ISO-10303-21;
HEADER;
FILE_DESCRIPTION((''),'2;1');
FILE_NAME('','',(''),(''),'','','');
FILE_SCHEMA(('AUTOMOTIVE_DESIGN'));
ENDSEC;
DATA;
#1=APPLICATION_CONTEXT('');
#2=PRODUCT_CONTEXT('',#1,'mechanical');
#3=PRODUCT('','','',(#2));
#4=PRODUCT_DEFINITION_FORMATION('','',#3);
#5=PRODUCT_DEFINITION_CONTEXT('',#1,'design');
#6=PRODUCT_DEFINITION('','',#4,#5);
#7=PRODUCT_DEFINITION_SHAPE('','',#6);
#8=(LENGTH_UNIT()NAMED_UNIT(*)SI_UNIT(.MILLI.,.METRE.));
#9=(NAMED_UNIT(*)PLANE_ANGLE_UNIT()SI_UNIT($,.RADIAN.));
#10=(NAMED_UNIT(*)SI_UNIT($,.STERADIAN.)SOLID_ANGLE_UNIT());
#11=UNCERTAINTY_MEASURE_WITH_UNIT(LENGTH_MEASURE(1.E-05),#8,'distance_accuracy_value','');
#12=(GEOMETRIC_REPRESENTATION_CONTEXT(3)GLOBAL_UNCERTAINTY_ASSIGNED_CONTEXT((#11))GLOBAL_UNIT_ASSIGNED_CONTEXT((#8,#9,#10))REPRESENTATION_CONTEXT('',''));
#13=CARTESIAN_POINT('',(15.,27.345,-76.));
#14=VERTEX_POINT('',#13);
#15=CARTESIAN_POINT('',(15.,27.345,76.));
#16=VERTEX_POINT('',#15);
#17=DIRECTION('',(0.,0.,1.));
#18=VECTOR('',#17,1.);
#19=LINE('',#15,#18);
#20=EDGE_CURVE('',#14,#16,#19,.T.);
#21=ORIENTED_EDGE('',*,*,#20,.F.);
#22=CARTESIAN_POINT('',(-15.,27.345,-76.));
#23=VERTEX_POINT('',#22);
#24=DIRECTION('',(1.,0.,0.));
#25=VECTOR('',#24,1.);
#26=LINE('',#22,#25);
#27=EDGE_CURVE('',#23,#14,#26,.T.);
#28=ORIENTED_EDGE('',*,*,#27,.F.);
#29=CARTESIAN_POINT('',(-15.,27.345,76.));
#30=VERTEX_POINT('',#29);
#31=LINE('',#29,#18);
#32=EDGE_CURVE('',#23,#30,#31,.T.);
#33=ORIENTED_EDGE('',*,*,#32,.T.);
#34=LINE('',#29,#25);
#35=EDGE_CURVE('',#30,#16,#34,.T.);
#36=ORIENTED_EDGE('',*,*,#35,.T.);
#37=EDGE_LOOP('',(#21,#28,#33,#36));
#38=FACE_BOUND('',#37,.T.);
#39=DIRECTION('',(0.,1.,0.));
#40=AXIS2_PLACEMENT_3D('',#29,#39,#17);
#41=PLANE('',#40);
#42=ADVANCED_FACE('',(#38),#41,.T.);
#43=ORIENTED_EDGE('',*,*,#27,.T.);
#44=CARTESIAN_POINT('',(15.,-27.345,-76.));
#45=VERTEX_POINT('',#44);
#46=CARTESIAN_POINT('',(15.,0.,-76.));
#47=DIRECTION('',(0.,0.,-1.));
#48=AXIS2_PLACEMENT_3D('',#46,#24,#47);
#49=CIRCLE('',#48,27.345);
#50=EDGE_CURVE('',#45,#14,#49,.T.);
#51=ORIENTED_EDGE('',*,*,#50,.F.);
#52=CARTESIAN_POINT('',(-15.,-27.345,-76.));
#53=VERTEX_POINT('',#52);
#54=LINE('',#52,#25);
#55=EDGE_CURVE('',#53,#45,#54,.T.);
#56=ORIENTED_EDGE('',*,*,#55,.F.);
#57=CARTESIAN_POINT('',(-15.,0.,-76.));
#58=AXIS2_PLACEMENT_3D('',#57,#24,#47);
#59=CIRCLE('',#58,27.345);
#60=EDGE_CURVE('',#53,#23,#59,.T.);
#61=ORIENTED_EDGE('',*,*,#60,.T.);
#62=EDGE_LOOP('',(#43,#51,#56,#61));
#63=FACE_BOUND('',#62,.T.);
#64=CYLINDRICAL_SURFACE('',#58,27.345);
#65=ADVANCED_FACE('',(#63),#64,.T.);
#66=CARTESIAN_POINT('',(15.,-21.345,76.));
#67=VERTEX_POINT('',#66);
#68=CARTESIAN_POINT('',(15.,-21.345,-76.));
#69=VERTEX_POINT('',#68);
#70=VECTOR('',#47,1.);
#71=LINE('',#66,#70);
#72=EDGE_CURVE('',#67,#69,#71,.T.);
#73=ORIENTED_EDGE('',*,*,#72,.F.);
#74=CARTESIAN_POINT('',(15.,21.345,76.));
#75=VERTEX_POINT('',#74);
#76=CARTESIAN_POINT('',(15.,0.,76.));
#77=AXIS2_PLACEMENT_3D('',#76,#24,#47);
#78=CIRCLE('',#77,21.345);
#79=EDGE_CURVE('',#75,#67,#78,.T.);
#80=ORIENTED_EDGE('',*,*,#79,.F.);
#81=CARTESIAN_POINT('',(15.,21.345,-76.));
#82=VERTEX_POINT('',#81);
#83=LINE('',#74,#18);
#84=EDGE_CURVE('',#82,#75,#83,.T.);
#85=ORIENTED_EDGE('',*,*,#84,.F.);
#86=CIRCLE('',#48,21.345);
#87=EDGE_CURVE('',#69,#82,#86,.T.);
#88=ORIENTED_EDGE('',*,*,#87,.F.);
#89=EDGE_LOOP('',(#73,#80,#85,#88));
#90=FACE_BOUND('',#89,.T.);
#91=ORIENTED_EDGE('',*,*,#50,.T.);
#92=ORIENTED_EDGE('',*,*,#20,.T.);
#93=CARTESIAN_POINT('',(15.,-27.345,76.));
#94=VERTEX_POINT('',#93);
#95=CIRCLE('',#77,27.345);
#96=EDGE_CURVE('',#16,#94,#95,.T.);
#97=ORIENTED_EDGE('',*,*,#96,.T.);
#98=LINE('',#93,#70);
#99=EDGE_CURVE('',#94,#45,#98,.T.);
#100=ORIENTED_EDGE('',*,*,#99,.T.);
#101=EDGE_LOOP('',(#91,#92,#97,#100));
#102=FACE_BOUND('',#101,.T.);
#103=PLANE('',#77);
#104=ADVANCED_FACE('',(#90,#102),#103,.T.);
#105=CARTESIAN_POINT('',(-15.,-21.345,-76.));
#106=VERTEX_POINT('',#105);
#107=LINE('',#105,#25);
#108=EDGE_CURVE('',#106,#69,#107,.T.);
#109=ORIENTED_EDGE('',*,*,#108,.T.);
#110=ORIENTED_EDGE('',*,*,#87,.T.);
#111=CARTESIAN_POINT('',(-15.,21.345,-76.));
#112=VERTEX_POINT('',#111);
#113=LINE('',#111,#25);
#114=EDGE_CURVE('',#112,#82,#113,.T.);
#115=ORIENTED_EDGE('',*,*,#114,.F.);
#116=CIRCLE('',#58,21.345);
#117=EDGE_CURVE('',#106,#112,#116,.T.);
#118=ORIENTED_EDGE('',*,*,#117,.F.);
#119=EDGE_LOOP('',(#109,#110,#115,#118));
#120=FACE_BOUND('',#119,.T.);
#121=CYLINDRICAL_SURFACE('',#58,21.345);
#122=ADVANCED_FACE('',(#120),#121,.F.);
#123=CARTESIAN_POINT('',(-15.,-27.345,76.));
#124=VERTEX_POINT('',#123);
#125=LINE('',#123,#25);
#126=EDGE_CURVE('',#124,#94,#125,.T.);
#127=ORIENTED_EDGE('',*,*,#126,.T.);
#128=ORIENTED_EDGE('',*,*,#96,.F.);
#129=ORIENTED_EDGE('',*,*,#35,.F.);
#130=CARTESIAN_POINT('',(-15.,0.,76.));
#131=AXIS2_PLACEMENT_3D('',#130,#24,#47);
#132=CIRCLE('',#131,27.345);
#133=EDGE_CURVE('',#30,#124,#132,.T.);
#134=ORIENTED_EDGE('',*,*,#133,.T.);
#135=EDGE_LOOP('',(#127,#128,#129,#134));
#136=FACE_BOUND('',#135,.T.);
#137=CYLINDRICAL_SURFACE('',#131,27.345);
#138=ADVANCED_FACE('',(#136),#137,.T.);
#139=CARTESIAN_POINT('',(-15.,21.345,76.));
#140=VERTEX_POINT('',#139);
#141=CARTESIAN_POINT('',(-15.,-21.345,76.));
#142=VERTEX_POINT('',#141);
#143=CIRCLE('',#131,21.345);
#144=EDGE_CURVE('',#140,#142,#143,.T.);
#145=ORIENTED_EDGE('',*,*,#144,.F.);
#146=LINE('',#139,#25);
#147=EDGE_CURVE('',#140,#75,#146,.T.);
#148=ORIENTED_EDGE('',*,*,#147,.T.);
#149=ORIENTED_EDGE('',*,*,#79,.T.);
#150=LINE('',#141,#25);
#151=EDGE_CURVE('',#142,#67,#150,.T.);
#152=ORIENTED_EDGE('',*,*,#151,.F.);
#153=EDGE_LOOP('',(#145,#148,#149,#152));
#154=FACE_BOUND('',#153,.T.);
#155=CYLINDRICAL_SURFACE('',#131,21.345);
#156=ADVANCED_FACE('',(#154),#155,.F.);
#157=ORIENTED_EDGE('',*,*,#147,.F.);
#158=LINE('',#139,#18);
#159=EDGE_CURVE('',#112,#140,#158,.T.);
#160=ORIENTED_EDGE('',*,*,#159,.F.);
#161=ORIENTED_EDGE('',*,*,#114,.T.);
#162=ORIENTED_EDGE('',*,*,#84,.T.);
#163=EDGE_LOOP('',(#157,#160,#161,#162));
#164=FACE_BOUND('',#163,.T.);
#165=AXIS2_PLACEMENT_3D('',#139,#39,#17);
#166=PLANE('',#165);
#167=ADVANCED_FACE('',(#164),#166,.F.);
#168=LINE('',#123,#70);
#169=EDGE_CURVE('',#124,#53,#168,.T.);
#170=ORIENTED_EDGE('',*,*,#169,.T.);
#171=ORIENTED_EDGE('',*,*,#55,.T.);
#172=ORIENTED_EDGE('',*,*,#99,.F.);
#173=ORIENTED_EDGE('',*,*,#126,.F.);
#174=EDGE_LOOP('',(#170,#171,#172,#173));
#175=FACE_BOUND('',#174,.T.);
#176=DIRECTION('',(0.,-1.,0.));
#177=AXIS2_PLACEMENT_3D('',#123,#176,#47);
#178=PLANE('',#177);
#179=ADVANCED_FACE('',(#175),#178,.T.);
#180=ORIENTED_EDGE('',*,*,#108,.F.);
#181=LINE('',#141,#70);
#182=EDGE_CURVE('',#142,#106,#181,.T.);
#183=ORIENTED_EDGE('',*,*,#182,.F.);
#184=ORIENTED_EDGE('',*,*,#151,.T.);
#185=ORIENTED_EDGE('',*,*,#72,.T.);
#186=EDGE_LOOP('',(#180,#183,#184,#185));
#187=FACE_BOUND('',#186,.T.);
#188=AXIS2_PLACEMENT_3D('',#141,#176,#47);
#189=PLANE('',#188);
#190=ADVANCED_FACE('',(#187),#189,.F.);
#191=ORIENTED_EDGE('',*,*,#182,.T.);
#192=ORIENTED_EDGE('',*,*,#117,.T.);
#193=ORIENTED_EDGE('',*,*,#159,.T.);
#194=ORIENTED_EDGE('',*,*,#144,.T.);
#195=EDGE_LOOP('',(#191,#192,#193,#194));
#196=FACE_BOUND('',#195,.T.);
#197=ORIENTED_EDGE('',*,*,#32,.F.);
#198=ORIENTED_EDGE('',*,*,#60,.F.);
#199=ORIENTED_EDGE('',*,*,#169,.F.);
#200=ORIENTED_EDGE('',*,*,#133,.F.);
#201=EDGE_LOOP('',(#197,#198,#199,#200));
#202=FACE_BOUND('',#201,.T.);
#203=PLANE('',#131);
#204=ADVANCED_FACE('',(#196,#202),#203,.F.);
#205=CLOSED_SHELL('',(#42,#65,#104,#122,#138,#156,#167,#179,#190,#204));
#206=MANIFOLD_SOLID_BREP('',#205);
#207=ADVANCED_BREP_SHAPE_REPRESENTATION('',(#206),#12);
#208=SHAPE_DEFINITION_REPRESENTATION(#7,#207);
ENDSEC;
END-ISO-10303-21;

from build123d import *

# Parameters (mm, degrees)
EXTRUDE_1_DEPTH      = 15
EXTRUDE_1_DEPTH_BACK = 15
CUT_EXTRUDE_1_DEPTH  = 30


with BuildPart() as part:
    # 스케치2 → 보스-돌출1 (new, two sides: drawn at the far end of the back side and taken through both)
    with BuildSketch(Plane(origin=(0, 0, 0), x_dir=(0, 0, -1), z_dir=(1, 0, 0)).offset(-EXTRUDE_1_DEPTH_BACK)):
        with BuildLine():
            Line((-76, 27.345), (76, 27.345))
            ThreePointArc((76, 27.345), (103.345, 0), (76, -27.345))
            Line((76, -27.345), (-76, -27.345))
            ThreePointArc((-76, -27.345), (-103.345, 0), (-76, 27.345))
        make_face()
    extrude(amount=EXTRUDE_1_DEPTH + EXTRUDE_1_DEPTH_BACK)

    # 스케치3 → 컷-돌출1 (cut)
    with BuildSketch(Plane(origin=(15, 0, 0), x_dir=(0, 0, -1), z_dir=(1, 0, 0))):
        with BuildLine():
            Line((-76, 21.345), (76, 21.345))
            ThreePointArc((76, 21.345), (97.345, 0), (76, -21.345))
            Line((76, -21.345), (-76, -21.345))
            ThreePointArc((-76, -21.345), (-97.345, 0), (-76, 21.345))
        make_face()
    extrude(amount=-CUT_EXTRUDE_1_DEPTH, mode=Mode.SUBTRACT)


solid = part.part
